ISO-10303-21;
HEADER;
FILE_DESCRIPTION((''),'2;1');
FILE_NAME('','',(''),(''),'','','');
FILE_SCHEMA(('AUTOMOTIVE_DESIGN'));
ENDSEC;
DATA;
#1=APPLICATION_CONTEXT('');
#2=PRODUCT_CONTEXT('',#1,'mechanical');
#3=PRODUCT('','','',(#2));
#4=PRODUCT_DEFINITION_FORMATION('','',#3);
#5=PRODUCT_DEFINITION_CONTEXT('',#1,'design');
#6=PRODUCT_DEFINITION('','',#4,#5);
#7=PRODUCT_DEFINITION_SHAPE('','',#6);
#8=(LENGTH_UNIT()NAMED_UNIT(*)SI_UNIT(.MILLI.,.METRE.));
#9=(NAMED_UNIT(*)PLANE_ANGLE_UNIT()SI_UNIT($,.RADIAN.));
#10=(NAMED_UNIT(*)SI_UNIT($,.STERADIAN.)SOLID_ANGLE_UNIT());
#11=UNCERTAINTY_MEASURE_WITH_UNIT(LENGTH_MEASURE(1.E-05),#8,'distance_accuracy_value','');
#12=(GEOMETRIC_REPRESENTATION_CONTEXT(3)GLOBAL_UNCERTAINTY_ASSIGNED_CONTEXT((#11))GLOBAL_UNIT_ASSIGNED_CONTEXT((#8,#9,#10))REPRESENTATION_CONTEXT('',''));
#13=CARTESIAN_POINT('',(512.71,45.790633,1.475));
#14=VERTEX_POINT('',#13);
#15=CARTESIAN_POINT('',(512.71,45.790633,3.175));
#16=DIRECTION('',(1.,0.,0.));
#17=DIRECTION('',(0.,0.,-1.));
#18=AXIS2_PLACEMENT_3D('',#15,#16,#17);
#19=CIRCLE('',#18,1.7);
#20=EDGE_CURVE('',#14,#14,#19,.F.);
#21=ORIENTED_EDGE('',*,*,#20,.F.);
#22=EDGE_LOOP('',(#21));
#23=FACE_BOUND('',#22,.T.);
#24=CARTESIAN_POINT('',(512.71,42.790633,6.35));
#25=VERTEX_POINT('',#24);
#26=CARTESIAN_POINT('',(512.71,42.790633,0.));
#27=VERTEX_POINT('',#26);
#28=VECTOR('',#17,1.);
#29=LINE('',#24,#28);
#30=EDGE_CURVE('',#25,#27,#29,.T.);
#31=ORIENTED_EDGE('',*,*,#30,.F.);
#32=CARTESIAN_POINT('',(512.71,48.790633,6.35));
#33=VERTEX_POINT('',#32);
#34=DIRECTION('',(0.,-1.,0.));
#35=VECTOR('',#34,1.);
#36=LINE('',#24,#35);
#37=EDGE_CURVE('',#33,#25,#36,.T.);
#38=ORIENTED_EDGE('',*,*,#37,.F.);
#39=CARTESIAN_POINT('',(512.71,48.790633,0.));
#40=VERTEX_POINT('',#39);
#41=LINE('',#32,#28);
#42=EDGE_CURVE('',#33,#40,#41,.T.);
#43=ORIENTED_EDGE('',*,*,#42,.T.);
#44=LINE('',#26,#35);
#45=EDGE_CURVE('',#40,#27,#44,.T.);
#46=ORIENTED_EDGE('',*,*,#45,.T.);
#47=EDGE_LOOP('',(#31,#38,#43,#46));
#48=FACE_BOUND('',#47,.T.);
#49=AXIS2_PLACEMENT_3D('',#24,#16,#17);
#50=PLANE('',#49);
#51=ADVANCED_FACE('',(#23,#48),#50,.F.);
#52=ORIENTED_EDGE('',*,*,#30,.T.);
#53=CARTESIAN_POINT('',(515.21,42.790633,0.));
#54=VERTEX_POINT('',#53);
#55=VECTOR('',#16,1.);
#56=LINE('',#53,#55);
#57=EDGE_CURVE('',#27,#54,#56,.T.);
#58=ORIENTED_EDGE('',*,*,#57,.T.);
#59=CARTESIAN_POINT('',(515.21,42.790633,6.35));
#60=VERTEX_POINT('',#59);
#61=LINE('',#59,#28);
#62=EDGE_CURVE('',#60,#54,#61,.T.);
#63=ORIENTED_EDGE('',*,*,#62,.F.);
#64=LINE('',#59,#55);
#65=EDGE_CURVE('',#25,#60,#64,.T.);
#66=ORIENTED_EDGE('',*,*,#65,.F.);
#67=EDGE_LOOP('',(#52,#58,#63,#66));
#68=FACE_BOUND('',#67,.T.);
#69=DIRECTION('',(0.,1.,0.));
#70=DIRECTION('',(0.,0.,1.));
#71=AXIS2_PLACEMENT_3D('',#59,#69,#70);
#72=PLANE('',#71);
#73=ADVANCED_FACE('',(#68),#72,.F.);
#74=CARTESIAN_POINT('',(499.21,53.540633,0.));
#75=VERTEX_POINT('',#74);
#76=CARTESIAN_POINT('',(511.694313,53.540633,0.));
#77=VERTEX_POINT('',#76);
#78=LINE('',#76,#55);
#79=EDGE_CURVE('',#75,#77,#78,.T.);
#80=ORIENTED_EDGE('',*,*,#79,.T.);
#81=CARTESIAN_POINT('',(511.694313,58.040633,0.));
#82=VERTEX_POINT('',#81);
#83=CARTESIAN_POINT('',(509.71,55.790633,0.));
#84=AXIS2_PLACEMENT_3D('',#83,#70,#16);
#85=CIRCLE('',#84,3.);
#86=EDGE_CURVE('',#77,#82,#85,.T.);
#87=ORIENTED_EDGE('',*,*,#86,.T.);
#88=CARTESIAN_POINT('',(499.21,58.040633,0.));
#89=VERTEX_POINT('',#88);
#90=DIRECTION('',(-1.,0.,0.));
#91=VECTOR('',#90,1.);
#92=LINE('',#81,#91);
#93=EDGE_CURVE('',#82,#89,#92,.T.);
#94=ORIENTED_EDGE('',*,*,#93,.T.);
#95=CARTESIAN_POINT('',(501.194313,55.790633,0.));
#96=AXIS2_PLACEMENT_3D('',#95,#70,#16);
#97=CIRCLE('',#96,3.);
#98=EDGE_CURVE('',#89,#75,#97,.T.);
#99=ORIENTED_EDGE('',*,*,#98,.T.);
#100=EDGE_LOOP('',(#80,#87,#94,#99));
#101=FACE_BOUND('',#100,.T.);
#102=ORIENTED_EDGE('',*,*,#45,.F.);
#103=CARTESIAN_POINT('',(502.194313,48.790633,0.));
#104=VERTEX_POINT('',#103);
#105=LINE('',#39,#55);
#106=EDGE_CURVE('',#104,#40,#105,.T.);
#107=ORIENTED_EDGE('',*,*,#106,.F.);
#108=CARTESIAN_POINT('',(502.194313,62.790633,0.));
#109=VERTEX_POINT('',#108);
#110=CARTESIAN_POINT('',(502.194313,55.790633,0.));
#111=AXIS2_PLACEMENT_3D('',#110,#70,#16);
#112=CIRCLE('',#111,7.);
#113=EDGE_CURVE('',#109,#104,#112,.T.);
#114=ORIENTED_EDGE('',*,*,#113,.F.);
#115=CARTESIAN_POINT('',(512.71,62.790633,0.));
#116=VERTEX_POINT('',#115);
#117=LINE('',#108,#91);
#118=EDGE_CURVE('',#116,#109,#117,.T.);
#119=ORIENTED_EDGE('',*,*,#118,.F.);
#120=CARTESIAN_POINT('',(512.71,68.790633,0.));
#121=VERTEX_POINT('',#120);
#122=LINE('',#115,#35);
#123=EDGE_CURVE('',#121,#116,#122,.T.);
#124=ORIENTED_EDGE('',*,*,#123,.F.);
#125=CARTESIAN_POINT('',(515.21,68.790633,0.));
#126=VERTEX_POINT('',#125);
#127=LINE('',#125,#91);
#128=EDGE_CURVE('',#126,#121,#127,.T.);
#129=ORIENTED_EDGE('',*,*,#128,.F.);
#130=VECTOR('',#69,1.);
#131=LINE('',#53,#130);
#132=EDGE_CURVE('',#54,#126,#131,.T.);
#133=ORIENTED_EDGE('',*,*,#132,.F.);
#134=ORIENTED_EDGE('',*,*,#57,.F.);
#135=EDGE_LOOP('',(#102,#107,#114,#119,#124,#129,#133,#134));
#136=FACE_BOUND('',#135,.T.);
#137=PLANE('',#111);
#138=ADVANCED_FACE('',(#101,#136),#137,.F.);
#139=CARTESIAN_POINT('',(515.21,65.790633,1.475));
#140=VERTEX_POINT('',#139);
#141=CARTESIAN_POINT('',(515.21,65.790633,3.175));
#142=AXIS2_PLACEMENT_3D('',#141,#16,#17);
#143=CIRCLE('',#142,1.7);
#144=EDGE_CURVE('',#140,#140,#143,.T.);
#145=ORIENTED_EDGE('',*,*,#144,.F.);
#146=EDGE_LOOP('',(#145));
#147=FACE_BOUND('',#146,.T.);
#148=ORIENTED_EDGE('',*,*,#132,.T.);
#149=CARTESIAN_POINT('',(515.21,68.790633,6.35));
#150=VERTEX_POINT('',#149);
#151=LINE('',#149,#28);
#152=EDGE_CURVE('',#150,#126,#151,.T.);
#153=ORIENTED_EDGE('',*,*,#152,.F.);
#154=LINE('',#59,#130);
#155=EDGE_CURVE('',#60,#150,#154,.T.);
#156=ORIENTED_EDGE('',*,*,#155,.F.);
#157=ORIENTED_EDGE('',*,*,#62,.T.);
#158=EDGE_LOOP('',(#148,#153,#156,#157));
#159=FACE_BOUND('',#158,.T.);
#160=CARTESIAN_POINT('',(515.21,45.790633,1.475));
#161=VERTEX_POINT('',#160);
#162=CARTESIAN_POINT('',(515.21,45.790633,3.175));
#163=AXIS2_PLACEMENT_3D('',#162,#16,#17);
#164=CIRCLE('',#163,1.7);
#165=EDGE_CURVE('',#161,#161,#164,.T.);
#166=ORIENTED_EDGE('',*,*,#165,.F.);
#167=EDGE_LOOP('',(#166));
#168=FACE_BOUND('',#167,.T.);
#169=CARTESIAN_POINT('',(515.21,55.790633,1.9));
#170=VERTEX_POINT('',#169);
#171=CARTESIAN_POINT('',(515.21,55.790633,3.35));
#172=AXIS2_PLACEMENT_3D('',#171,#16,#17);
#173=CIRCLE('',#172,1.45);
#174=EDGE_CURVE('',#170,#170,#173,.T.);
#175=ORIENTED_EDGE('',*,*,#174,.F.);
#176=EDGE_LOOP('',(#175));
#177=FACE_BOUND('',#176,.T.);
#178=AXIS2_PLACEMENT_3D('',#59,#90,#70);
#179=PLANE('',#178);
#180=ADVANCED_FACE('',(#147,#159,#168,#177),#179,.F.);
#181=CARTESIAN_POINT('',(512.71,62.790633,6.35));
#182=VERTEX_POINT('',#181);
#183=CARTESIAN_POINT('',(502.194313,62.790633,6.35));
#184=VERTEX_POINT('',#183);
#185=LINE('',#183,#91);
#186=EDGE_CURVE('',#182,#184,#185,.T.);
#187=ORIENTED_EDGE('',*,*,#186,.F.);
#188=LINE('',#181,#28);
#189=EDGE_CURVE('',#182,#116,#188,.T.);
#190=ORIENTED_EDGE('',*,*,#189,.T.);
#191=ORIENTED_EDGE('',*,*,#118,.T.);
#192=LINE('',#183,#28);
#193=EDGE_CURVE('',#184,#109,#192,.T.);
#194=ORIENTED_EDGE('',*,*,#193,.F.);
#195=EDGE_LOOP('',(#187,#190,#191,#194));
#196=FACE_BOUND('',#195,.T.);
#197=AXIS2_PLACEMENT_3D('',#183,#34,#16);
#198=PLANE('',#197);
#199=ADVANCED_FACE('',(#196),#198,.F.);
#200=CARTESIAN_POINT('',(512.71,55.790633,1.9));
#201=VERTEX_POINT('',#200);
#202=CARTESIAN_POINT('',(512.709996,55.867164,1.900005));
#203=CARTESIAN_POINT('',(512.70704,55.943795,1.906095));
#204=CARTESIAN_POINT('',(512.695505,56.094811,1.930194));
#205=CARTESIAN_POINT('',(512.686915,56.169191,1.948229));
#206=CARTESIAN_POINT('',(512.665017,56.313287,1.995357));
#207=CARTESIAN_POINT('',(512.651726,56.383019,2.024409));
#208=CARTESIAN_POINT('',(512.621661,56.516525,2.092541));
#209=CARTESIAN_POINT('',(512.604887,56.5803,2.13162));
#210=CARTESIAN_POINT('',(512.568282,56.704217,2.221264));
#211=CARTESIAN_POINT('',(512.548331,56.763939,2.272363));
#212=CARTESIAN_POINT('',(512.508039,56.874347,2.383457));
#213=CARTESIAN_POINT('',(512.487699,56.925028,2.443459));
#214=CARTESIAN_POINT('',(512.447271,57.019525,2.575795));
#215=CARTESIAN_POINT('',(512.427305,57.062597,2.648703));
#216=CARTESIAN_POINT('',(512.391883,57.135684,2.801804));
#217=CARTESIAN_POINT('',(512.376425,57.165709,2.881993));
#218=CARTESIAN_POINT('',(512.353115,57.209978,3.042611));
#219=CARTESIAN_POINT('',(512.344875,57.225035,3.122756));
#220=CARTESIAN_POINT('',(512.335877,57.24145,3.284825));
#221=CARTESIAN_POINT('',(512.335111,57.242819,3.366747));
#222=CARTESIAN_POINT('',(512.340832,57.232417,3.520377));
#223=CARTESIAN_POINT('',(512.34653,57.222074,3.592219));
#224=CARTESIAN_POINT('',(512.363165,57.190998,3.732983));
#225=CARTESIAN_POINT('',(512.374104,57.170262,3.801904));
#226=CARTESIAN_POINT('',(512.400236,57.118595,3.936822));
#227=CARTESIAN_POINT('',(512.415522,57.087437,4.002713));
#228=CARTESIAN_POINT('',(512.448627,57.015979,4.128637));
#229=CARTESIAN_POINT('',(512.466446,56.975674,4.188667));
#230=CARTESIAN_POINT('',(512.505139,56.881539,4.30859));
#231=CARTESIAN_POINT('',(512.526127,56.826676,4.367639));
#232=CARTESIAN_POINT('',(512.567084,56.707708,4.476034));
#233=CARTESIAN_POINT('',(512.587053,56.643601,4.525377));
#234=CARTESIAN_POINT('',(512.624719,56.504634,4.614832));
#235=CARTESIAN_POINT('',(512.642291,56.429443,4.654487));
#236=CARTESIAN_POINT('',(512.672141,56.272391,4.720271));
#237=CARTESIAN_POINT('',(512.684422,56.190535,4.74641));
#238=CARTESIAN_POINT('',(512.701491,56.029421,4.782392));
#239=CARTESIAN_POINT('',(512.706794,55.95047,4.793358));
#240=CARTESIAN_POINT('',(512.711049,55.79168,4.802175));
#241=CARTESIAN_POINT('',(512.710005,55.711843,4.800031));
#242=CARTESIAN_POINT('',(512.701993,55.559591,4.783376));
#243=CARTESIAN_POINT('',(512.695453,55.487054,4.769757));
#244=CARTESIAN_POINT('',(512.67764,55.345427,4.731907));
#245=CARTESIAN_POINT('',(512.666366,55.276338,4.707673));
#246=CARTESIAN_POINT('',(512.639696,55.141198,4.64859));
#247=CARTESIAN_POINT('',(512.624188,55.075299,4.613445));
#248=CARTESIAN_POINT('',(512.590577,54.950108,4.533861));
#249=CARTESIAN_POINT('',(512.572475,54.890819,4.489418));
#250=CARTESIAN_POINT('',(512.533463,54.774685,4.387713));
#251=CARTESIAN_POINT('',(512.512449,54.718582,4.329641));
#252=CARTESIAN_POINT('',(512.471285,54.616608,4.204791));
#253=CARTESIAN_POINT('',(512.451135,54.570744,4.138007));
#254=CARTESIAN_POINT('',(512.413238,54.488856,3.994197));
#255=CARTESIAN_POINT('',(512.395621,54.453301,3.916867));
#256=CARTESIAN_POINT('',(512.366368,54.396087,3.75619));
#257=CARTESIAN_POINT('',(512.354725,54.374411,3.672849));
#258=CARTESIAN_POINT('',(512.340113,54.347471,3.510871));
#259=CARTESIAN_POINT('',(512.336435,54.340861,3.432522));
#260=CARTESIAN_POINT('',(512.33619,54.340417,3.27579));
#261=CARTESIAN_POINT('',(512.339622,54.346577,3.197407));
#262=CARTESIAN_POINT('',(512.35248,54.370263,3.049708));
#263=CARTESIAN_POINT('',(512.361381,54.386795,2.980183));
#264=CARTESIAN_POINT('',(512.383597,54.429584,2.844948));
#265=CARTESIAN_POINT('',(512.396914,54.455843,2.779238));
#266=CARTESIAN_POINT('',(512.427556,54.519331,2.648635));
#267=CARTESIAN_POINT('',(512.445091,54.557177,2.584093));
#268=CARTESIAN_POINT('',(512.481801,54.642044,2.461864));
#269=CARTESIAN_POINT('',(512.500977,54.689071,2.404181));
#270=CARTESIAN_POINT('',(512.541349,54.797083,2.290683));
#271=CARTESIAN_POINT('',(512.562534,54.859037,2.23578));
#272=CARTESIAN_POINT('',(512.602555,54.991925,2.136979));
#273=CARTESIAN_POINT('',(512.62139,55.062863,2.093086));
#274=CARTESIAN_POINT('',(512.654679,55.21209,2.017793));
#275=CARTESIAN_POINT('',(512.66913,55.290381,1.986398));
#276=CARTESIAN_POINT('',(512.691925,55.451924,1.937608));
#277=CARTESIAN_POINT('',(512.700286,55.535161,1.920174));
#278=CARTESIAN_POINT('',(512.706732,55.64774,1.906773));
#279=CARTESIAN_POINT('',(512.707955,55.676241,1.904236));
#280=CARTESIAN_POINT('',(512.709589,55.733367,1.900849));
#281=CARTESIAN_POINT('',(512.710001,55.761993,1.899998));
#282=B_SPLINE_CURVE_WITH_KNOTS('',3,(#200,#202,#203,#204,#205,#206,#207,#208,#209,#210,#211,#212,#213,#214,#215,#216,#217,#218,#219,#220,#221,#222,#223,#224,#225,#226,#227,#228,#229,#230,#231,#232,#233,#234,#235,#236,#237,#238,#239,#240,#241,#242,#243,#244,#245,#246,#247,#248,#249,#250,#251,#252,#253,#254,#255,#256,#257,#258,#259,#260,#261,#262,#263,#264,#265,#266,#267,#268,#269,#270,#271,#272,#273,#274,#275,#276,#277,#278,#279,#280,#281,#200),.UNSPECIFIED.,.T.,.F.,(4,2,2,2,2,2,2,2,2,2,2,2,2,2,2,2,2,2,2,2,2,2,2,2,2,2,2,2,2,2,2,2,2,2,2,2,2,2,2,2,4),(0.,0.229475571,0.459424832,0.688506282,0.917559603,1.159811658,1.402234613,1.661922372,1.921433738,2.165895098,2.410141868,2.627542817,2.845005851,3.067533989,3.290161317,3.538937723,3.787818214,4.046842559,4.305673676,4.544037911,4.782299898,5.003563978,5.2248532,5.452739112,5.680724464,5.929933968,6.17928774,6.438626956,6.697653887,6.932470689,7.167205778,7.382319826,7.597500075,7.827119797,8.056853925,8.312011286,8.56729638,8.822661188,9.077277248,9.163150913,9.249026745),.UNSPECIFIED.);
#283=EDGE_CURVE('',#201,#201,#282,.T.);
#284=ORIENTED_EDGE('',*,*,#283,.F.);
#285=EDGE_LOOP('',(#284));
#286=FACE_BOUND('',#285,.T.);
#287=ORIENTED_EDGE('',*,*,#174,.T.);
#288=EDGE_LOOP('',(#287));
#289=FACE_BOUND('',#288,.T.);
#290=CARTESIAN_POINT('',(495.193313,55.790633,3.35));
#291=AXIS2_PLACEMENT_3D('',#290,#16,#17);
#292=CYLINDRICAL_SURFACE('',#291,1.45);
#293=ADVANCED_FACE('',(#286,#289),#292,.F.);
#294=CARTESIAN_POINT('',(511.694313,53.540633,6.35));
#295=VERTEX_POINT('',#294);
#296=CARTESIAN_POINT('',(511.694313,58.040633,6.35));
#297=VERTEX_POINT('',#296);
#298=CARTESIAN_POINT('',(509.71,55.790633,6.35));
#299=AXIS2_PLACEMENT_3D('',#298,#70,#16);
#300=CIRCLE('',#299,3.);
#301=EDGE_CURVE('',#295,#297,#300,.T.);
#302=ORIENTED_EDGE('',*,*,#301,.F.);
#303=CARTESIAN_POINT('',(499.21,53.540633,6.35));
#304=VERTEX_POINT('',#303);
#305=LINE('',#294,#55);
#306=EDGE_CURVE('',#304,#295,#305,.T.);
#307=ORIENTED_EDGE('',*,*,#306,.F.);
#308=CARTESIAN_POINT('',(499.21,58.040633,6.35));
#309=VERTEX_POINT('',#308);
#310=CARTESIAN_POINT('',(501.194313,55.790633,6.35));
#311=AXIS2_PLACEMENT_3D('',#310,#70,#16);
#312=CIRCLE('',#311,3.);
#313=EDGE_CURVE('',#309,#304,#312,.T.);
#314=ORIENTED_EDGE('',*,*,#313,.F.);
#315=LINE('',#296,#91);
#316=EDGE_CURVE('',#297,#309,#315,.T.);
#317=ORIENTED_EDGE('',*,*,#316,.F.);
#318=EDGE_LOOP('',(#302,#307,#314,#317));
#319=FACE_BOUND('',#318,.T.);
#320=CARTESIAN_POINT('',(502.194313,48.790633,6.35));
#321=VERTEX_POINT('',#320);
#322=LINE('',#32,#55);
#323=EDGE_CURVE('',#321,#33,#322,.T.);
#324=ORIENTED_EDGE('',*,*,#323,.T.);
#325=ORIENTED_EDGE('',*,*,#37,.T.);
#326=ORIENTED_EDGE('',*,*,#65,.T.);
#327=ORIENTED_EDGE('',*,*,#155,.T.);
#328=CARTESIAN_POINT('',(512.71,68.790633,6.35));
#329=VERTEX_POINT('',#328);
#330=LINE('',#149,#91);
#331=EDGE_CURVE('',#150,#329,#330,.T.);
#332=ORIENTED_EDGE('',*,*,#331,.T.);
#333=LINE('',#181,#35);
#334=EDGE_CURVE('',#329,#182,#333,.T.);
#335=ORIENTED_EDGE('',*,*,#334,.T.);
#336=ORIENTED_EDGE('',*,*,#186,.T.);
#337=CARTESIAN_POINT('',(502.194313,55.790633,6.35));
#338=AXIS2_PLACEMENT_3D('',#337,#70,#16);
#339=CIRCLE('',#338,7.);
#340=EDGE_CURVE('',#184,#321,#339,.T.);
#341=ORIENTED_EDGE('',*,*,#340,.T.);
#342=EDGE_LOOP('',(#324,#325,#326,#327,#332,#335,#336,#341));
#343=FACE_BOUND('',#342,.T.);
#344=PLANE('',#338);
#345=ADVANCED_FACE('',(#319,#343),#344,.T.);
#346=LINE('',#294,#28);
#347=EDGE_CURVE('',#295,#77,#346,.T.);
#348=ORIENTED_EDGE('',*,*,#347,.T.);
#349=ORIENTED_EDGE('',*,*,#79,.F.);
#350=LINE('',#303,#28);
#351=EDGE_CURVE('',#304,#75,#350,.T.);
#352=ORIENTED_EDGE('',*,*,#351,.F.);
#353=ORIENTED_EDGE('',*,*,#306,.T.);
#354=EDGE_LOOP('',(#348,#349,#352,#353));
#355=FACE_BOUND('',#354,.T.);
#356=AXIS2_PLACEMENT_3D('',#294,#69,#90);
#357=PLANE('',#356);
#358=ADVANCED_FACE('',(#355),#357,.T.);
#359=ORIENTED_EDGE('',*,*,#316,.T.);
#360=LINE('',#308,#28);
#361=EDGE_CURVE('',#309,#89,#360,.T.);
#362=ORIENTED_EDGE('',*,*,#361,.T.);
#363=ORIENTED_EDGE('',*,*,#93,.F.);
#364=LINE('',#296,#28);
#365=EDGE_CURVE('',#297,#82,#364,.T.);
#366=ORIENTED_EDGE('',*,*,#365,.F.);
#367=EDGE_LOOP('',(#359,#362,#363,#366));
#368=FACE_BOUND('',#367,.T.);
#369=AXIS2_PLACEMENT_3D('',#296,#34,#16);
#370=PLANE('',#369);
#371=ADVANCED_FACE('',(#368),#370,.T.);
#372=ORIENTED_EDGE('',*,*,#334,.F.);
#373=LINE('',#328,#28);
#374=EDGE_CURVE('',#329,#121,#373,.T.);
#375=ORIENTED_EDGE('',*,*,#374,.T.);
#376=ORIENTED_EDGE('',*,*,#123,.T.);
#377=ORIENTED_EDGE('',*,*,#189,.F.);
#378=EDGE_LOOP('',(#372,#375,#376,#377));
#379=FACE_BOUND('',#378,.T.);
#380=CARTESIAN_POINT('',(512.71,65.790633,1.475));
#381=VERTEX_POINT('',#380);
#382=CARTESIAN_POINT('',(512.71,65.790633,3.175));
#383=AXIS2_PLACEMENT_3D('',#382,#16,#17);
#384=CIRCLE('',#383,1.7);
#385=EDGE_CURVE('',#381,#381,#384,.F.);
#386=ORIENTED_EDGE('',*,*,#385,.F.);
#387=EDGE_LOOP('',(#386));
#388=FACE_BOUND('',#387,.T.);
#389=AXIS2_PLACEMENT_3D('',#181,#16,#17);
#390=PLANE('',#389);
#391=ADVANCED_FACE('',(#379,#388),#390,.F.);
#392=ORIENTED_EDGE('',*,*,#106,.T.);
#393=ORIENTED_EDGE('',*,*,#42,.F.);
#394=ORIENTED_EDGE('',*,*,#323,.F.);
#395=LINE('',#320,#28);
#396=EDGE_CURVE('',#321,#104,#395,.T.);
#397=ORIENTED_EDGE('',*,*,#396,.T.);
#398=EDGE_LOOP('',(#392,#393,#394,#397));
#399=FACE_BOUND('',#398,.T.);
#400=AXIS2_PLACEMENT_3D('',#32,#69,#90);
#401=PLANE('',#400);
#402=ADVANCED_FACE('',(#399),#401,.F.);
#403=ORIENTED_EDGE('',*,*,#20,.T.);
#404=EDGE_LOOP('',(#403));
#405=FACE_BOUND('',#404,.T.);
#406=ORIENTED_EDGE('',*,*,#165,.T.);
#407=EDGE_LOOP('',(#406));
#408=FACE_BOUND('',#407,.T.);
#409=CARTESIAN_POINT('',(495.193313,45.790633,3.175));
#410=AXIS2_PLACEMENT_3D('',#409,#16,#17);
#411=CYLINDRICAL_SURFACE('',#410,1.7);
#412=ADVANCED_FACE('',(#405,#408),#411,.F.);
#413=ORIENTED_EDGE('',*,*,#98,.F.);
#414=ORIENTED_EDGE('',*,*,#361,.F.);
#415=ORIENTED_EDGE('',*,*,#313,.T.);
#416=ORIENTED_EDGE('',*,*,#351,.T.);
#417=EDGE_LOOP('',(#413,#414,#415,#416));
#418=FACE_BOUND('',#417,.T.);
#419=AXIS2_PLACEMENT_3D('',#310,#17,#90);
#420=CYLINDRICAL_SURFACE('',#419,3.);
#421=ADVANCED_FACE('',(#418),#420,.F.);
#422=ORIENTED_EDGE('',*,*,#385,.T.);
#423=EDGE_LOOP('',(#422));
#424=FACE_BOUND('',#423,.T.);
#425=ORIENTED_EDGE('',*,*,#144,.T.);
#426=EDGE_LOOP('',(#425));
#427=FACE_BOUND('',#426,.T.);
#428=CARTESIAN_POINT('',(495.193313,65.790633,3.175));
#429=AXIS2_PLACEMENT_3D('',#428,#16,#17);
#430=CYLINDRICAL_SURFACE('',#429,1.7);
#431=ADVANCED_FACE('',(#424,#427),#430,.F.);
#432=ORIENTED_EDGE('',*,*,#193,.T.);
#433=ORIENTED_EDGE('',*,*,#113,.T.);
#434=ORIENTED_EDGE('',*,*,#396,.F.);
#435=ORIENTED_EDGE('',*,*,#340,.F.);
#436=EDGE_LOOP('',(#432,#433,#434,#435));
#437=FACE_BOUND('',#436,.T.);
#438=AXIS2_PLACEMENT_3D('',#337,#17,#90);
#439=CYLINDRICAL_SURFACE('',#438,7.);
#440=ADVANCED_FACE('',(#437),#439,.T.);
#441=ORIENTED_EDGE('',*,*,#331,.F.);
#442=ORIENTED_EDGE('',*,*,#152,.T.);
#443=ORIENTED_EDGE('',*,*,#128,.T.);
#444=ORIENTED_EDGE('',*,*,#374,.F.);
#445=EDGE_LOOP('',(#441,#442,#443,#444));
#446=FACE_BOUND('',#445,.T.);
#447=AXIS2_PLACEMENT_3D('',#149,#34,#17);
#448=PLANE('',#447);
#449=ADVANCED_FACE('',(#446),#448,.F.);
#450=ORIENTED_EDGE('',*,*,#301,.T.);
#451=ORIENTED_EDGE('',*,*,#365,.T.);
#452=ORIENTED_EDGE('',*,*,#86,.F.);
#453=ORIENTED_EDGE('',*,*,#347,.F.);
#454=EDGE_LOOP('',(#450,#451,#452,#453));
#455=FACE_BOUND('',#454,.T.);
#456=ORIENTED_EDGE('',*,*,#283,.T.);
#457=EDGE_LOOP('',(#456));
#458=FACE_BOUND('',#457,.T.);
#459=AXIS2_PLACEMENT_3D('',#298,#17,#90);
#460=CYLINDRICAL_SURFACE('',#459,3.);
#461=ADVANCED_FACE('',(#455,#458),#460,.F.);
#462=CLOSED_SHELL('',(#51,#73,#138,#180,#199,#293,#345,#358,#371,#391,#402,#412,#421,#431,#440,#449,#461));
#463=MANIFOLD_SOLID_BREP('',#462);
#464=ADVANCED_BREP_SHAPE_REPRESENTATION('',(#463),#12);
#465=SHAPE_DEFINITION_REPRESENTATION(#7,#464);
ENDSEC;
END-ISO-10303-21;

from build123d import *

# Parameters (mm, degrees)
BOSS_EXTRUDE1_DEPTH = 6.35
CUT_EXTRUDE1_REACH  = 22.016
SKETCH2_R           = 1.7
SKETCH2_R_2         = 1.45


with BuildPart() as part:
    # Sketch1 → Boss-Extrude1 (new body)
    with BuildSketch(Plane.XY):
        with BuildLine():
            Line((515.21, 42.790633073), (512.71, 42.790633073))
            Line((512.71, 42.790633073), (512.71, 48.790633073))
            Line((512.71, 48.790633073), (502.194313483, 48.790633073))
            ThreePointArc((502.194313483, 48.790633073), (495.194313483, 55.790633073), (502.194313483, 62.790633073))
            Line((502.194313483, 62.790633073), (512.71, 62.790633073))
            Line((512.71, 62.790633073), (512.71, 68.790633073))
            Line((512.71, 68.790633073), (515.21, 68.790633073))
            Line((515.21, 68.790633073), (515.21, 42.790633073))
        make_face()
        with BuildLine():
            Line((511.694313483, 53.540633073), (499.21, 53.540633073))
            ThreePointArc((499.21, 53.540633073), (498.194313483, 55.790633073), (499.21, 58.040633073))
            Line((499.21, 58.040633073), (511.694313483, 58.040633073))
            ThreePointArc((511.694313483, 58.040633073), (512.71, 55.790633073), (511.694313483, 53.540633073))
        make_face(mode=Mode.SUBTRACT)
    extrude(amount=BOSS_EXTRUDE1_DEPTH)

    # Sketch2 → Cut-Extrude1 (cut, up to next)
    with BuildSketch(Plane(origin=(515.21, 0, 0), x_dir=(0, 0, -1), z_dir=(1, 0, 0)), mode=Mode.PRIVATE) as cut_extrude1_sk1:
        with Locations((-3.175, 45.790633073)):
            Circle(SKETCH2_R)
    cut_extrude1_tool1 = extrude(cut_extrude1_sk1.sketch, amount=-CUT_EXTRUDE1_REACH, mode=Mode.PRIVATE) & part.part
    add(cut_extrude1_tool1.solids().sort_by_distance((515.21, 45.790633, 3.175))[0], mode=Mode.SUBTRACT)
    # Sketch2 → Cut-Extrude1 (cut, up to next)
    with BuildSketch(Plane(origin=(515.21, 0, 0), x_dir=(0, 0, -1), z_dir=(1, 0, 0)), mode=Mode.PRIVATE) as cut_extrude1_sk2:
        with Locations((-3.35, 55.790633073)):
            Circle(SKETCH2_R_2)
    cut_extrude1_tool2 = extrude(cut_extrude1_sk2.sketch, amount=-CUT_EXTRUDE1_REACH, mode=Mode.PRIVATE) & part.part
    add(cut_extrude1_tool2.solids().sort_by_distance((515.21, 55.790633, 3.35))[0], mode=Mode.SUBTRACT)
    # Sketch2 → Cut-Extrude1 (cut, up to next)
    with BuildSketch(Plane(origin=(515.21, 0, 0), x_dir=(0, 0, -1), z_dir=(1, 0, 0)), mode=Mode.PRIVATE) as cut_extrude1_sk3:
        with Locations((-3.175, 65.790633073)):
            Circle(SKETCH2_R)
    cut_extrude1_tool3 = extrude(cut_extrude1_sk3.sketch, amount=-CUT_EXTRUDE1_REACH, mode=Mode.PRIVATE) & part.part
    add(cut_extrude1_tool3.solids().sort_by_distance((515.21, 65.790633, 3.175))[0], mode=Mode.SUBTRACT)


solid = part.part
